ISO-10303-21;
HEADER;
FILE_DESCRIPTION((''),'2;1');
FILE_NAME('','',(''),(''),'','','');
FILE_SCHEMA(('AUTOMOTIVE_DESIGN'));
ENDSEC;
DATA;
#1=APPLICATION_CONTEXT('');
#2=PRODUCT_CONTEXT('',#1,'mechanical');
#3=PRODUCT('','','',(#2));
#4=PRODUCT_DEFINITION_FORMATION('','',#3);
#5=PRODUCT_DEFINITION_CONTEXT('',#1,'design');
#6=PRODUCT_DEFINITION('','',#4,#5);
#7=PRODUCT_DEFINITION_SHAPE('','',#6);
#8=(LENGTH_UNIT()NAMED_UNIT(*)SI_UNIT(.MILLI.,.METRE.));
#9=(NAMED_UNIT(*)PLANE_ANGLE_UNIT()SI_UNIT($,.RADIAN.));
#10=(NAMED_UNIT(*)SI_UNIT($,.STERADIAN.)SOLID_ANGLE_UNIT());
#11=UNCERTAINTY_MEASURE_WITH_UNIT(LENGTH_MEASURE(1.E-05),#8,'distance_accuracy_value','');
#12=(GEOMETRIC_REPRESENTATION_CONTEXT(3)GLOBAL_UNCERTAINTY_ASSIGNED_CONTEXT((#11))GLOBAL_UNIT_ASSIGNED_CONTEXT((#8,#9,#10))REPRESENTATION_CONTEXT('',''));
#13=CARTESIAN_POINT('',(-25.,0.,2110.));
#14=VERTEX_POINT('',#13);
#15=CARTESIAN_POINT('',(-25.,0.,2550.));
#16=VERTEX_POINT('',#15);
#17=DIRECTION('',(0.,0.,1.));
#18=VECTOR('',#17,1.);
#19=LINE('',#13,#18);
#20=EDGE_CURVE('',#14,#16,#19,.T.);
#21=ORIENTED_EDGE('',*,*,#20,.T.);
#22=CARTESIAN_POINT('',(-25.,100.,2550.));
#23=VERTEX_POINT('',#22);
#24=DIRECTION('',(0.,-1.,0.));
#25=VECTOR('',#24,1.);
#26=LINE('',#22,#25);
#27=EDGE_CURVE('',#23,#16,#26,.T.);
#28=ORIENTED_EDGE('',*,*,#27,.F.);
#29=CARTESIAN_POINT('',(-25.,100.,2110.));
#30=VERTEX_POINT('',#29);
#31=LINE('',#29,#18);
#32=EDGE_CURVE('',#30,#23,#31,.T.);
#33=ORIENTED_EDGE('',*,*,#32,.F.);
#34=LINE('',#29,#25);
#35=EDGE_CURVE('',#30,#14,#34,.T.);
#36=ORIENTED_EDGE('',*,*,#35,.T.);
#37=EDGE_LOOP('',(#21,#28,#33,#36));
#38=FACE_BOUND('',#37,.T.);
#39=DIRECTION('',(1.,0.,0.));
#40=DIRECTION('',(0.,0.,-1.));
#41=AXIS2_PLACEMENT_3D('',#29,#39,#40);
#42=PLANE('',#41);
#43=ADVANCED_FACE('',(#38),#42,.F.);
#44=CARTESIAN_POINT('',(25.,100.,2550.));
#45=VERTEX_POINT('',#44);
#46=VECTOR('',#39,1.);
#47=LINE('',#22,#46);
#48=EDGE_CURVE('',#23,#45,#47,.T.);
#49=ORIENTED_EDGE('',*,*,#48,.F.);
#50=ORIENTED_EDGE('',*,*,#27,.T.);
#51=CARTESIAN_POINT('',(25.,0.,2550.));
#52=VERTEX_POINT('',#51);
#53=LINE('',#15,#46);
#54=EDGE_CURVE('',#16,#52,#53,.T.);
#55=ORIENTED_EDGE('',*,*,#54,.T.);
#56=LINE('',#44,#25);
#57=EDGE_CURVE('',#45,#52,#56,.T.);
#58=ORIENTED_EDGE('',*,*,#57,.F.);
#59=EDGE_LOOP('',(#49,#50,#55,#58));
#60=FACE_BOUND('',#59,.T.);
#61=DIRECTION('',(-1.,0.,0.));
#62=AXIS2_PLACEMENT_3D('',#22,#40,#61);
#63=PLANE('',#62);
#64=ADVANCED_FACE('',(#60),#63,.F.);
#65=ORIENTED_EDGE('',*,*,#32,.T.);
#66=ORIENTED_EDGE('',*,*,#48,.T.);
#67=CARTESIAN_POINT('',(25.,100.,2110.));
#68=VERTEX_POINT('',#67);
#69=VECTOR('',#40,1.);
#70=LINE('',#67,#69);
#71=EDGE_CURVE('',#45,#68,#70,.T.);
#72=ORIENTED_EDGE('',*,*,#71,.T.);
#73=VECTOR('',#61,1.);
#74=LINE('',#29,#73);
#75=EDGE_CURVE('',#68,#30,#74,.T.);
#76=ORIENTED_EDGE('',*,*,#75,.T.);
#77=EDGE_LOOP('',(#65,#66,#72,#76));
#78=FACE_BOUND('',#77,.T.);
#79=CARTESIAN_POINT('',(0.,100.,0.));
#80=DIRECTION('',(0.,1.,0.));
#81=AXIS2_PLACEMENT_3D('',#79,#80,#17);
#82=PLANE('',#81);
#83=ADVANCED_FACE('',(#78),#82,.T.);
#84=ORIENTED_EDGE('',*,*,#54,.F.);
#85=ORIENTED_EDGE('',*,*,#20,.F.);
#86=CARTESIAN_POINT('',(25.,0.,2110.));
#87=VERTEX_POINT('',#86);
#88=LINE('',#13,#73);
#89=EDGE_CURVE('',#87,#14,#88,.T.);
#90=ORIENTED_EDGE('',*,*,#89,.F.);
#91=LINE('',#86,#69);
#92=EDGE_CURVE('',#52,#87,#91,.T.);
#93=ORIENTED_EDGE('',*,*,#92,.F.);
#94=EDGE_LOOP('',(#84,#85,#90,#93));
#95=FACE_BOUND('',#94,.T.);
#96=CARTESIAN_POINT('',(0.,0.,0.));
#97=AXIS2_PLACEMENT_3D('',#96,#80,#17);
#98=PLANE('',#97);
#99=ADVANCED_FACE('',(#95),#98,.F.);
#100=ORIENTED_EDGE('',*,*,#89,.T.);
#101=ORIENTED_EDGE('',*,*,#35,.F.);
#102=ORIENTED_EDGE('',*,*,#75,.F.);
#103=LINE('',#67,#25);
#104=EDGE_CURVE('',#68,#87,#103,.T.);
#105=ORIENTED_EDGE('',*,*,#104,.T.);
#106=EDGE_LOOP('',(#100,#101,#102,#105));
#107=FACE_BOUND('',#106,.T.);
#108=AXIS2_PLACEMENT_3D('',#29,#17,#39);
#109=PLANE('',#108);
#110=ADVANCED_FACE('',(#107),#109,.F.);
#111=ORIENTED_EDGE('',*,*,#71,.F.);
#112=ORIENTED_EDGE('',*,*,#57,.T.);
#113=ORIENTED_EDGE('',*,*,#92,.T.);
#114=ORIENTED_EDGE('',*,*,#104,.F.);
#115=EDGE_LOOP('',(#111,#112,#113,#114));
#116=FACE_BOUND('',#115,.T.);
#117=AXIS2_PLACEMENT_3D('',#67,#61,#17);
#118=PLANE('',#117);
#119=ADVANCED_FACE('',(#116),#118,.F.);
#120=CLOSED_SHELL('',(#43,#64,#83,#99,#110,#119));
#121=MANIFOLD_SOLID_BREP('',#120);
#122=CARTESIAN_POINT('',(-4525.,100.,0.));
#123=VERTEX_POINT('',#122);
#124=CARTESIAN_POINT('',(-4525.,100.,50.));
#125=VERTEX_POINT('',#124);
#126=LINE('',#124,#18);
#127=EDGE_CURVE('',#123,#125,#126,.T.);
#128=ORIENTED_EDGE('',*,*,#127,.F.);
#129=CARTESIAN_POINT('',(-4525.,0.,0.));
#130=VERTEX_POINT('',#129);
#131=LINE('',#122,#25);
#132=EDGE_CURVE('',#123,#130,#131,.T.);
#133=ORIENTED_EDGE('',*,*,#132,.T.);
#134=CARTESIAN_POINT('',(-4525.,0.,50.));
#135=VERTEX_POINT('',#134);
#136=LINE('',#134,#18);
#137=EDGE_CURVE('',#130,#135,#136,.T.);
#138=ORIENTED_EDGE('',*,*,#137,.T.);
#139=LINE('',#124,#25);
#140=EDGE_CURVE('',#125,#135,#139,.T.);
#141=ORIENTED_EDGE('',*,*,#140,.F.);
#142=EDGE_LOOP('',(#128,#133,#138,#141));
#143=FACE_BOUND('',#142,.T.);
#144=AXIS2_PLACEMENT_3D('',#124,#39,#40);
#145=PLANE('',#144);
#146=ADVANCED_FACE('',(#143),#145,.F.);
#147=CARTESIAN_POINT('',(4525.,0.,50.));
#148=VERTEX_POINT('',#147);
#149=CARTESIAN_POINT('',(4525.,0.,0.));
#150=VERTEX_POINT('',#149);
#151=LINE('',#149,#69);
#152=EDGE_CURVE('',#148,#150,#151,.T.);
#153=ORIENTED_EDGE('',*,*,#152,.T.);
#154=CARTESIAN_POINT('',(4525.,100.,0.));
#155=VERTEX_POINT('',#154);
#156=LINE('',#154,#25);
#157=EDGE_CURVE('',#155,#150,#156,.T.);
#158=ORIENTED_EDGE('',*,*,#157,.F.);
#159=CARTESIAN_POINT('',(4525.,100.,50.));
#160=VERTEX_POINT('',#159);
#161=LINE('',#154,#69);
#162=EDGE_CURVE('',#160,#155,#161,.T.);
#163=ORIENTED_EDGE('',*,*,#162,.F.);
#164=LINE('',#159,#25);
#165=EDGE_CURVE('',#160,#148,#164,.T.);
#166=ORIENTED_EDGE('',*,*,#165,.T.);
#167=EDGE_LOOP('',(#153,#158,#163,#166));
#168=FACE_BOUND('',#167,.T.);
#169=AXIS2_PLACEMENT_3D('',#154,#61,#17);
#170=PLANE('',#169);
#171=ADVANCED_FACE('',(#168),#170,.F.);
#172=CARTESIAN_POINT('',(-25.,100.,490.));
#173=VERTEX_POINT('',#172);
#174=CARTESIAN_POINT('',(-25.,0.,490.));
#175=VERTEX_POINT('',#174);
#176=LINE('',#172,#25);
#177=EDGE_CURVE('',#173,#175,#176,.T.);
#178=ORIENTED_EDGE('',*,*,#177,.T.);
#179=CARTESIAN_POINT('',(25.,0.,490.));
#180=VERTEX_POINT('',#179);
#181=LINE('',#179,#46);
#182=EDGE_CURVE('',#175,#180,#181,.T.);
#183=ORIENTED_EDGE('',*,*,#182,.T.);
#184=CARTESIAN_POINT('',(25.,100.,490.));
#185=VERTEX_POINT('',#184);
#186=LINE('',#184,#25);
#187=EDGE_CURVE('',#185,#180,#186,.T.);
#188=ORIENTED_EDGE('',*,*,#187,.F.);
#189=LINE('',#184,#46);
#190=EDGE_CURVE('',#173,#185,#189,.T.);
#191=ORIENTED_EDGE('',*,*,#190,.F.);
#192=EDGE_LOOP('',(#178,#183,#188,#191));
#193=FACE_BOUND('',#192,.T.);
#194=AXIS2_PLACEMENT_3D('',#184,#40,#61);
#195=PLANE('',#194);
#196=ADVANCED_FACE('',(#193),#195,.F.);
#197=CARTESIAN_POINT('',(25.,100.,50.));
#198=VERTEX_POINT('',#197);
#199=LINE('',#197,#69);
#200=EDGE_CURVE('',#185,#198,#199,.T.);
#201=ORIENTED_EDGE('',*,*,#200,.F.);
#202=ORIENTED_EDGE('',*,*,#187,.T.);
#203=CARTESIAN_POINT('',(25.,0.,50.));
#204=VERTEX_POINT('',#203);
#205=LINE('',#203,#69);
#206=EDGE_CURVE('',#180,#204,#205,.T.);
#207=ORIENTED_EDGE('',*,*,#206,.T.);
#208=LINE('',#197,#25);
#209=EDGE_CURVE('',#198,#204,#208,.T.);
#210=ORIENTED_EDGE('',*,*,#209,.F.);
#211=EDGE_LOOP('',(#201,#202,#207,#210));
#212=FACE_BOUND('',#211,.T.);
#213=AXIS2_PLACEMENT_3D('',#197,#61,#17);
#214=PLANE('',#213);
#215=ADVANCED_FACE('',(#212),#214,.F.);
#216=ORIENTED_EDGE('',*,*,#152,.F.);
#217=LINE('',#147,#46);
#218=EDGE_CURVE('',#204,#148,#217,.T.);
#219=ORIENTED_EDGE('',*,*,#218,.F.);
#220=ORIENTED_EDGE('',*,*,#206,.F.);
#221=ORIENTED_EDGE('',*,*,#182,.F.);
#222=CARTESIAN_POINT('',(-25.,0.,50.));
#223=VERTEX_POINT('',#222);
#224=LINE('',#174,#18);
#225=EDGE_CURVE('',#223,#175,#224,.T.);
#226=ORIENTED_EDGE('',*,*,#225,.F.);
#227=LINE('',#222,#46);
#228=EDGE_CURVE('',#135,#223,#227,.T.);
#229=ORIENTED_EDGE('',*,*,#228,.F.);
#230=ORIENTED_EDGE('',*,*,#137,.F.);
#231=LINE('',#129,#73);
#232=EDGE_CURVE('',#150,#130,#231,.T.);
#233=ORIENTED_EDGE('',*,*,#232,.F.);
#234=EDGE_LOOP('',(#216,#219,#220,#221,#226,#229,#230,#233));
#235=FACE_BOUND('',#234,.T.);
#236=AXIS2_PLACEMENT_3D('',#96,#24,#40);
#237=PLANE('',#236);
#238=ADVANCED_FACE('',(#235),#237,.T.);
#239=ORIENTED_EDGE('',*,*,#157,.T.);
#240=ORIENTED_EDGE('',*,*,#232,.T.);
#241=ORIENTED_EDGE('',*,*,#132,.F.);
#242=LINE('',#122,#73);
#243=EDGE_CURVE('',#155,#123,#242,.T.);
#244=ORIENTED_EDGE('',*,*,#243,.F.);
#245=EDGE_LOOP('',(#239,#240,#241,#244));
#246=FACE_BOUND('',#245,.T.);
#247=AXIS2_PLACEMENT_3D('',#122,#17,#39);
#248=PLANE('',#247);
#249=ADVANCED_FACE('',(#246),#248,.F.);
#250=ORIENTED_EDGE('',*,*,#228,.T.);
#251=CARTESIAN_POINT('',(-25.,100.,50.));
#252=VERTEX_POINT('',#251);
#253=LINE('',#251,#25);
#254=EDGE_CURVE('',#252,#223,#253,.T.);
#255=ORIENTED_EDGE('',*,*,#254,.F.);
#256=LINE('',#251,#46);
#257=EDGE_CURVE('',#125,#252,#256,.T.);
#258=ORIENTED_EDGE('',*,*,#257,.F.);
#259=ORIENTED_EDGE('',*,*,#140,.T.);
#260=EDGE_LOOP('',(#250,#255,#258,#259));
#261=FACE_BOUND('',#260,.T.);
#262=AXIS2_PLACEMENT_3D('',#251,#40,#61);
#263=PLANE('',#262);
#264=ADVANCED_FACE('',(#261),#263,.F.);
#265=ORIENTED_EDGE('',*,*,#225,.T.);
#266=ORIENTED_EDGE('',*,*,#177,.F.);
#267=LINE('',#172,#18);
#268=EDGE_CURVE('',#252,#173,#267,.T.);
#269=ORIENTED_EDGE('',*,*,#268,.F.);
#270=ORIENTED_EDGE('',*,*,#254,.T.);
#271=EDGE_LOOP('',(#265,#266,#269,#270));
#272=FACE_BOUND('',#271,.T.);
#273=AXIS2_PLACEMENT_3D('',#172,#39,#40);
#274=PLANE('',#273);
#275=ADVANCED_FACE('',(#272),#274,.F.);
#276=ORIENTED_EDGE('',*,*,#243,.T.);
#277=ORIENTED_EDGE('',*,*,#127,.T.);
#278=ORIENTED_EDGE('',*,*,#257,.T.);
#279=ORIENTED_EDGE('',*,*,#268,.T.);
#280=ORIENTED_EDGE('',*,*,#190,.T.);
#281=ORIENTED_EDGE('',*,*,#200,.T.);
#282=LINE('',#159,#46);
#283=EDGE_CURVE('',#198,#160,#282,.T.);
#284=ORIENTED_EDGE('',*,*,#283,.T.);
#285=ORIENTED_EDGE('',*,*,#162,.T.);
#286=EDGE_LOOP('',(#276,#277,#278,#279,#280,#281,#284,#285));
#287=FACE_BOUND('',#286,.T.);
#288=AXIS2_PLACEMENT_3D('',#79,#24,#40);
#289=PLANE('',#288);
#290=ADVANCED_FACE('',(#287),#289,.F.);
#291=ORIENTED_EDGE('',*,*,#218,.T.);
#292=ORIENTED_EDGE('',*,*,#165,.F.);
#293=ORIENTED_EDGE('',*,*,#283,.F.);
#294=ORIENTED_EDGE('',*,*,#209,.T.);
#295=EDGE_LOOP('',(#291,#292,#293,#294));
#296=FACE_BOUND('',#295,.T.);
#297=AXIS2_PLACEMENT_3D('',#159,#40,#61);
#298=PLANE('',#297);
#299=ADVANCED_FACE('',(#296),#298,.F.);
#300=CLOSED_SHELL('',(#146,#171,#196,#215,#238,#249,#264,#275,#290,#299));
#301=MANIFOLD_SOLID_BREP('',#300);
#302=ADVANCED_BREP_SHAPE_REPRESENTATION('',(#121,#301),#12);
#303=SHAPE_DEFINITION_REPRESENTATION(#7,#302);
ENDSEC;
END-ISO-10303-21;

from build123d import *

# Parameters (mm, degrees)
EXTRUDE_1_DEPTH   = 100
SKETCH_1_W        = 50
SKETCH_1_H        = 440
EXTRUDE_1_2_DEPTH = 100


with BuildPart() as part:
    # 草图1 → 凸台-拉伸1 (new body)
    with BuildSketch(Plane(origin=(0, 0, 0), x_dir=(1, 0, 0), z_dir=(0, 1, 0))):
        Polygon((-4525, 0), (4525, 0), (4525, -50), (25, -50), (25, -490), (-25, -490), (-25, -50), (-4525, -50), align=None)
    extrude(amount=EXTRUDE_1_DEPTH)


with BuildPart() as body_2:
    # 草图1 → Extrude 1 2 (new body)
    with BuildSketch(Plane(origin=(0, 0, 0), x_dir=(1, 0, 0), z_dir=(0, 1, 0))):
        with Locations((0, -2330)):
            Rectangle(SKETCH_1_W, SKETCH_1_H)
    extrude(amount=EXTRUDE_1_2_DEPTH)


solid = Compound([part.part, body_2.part])
